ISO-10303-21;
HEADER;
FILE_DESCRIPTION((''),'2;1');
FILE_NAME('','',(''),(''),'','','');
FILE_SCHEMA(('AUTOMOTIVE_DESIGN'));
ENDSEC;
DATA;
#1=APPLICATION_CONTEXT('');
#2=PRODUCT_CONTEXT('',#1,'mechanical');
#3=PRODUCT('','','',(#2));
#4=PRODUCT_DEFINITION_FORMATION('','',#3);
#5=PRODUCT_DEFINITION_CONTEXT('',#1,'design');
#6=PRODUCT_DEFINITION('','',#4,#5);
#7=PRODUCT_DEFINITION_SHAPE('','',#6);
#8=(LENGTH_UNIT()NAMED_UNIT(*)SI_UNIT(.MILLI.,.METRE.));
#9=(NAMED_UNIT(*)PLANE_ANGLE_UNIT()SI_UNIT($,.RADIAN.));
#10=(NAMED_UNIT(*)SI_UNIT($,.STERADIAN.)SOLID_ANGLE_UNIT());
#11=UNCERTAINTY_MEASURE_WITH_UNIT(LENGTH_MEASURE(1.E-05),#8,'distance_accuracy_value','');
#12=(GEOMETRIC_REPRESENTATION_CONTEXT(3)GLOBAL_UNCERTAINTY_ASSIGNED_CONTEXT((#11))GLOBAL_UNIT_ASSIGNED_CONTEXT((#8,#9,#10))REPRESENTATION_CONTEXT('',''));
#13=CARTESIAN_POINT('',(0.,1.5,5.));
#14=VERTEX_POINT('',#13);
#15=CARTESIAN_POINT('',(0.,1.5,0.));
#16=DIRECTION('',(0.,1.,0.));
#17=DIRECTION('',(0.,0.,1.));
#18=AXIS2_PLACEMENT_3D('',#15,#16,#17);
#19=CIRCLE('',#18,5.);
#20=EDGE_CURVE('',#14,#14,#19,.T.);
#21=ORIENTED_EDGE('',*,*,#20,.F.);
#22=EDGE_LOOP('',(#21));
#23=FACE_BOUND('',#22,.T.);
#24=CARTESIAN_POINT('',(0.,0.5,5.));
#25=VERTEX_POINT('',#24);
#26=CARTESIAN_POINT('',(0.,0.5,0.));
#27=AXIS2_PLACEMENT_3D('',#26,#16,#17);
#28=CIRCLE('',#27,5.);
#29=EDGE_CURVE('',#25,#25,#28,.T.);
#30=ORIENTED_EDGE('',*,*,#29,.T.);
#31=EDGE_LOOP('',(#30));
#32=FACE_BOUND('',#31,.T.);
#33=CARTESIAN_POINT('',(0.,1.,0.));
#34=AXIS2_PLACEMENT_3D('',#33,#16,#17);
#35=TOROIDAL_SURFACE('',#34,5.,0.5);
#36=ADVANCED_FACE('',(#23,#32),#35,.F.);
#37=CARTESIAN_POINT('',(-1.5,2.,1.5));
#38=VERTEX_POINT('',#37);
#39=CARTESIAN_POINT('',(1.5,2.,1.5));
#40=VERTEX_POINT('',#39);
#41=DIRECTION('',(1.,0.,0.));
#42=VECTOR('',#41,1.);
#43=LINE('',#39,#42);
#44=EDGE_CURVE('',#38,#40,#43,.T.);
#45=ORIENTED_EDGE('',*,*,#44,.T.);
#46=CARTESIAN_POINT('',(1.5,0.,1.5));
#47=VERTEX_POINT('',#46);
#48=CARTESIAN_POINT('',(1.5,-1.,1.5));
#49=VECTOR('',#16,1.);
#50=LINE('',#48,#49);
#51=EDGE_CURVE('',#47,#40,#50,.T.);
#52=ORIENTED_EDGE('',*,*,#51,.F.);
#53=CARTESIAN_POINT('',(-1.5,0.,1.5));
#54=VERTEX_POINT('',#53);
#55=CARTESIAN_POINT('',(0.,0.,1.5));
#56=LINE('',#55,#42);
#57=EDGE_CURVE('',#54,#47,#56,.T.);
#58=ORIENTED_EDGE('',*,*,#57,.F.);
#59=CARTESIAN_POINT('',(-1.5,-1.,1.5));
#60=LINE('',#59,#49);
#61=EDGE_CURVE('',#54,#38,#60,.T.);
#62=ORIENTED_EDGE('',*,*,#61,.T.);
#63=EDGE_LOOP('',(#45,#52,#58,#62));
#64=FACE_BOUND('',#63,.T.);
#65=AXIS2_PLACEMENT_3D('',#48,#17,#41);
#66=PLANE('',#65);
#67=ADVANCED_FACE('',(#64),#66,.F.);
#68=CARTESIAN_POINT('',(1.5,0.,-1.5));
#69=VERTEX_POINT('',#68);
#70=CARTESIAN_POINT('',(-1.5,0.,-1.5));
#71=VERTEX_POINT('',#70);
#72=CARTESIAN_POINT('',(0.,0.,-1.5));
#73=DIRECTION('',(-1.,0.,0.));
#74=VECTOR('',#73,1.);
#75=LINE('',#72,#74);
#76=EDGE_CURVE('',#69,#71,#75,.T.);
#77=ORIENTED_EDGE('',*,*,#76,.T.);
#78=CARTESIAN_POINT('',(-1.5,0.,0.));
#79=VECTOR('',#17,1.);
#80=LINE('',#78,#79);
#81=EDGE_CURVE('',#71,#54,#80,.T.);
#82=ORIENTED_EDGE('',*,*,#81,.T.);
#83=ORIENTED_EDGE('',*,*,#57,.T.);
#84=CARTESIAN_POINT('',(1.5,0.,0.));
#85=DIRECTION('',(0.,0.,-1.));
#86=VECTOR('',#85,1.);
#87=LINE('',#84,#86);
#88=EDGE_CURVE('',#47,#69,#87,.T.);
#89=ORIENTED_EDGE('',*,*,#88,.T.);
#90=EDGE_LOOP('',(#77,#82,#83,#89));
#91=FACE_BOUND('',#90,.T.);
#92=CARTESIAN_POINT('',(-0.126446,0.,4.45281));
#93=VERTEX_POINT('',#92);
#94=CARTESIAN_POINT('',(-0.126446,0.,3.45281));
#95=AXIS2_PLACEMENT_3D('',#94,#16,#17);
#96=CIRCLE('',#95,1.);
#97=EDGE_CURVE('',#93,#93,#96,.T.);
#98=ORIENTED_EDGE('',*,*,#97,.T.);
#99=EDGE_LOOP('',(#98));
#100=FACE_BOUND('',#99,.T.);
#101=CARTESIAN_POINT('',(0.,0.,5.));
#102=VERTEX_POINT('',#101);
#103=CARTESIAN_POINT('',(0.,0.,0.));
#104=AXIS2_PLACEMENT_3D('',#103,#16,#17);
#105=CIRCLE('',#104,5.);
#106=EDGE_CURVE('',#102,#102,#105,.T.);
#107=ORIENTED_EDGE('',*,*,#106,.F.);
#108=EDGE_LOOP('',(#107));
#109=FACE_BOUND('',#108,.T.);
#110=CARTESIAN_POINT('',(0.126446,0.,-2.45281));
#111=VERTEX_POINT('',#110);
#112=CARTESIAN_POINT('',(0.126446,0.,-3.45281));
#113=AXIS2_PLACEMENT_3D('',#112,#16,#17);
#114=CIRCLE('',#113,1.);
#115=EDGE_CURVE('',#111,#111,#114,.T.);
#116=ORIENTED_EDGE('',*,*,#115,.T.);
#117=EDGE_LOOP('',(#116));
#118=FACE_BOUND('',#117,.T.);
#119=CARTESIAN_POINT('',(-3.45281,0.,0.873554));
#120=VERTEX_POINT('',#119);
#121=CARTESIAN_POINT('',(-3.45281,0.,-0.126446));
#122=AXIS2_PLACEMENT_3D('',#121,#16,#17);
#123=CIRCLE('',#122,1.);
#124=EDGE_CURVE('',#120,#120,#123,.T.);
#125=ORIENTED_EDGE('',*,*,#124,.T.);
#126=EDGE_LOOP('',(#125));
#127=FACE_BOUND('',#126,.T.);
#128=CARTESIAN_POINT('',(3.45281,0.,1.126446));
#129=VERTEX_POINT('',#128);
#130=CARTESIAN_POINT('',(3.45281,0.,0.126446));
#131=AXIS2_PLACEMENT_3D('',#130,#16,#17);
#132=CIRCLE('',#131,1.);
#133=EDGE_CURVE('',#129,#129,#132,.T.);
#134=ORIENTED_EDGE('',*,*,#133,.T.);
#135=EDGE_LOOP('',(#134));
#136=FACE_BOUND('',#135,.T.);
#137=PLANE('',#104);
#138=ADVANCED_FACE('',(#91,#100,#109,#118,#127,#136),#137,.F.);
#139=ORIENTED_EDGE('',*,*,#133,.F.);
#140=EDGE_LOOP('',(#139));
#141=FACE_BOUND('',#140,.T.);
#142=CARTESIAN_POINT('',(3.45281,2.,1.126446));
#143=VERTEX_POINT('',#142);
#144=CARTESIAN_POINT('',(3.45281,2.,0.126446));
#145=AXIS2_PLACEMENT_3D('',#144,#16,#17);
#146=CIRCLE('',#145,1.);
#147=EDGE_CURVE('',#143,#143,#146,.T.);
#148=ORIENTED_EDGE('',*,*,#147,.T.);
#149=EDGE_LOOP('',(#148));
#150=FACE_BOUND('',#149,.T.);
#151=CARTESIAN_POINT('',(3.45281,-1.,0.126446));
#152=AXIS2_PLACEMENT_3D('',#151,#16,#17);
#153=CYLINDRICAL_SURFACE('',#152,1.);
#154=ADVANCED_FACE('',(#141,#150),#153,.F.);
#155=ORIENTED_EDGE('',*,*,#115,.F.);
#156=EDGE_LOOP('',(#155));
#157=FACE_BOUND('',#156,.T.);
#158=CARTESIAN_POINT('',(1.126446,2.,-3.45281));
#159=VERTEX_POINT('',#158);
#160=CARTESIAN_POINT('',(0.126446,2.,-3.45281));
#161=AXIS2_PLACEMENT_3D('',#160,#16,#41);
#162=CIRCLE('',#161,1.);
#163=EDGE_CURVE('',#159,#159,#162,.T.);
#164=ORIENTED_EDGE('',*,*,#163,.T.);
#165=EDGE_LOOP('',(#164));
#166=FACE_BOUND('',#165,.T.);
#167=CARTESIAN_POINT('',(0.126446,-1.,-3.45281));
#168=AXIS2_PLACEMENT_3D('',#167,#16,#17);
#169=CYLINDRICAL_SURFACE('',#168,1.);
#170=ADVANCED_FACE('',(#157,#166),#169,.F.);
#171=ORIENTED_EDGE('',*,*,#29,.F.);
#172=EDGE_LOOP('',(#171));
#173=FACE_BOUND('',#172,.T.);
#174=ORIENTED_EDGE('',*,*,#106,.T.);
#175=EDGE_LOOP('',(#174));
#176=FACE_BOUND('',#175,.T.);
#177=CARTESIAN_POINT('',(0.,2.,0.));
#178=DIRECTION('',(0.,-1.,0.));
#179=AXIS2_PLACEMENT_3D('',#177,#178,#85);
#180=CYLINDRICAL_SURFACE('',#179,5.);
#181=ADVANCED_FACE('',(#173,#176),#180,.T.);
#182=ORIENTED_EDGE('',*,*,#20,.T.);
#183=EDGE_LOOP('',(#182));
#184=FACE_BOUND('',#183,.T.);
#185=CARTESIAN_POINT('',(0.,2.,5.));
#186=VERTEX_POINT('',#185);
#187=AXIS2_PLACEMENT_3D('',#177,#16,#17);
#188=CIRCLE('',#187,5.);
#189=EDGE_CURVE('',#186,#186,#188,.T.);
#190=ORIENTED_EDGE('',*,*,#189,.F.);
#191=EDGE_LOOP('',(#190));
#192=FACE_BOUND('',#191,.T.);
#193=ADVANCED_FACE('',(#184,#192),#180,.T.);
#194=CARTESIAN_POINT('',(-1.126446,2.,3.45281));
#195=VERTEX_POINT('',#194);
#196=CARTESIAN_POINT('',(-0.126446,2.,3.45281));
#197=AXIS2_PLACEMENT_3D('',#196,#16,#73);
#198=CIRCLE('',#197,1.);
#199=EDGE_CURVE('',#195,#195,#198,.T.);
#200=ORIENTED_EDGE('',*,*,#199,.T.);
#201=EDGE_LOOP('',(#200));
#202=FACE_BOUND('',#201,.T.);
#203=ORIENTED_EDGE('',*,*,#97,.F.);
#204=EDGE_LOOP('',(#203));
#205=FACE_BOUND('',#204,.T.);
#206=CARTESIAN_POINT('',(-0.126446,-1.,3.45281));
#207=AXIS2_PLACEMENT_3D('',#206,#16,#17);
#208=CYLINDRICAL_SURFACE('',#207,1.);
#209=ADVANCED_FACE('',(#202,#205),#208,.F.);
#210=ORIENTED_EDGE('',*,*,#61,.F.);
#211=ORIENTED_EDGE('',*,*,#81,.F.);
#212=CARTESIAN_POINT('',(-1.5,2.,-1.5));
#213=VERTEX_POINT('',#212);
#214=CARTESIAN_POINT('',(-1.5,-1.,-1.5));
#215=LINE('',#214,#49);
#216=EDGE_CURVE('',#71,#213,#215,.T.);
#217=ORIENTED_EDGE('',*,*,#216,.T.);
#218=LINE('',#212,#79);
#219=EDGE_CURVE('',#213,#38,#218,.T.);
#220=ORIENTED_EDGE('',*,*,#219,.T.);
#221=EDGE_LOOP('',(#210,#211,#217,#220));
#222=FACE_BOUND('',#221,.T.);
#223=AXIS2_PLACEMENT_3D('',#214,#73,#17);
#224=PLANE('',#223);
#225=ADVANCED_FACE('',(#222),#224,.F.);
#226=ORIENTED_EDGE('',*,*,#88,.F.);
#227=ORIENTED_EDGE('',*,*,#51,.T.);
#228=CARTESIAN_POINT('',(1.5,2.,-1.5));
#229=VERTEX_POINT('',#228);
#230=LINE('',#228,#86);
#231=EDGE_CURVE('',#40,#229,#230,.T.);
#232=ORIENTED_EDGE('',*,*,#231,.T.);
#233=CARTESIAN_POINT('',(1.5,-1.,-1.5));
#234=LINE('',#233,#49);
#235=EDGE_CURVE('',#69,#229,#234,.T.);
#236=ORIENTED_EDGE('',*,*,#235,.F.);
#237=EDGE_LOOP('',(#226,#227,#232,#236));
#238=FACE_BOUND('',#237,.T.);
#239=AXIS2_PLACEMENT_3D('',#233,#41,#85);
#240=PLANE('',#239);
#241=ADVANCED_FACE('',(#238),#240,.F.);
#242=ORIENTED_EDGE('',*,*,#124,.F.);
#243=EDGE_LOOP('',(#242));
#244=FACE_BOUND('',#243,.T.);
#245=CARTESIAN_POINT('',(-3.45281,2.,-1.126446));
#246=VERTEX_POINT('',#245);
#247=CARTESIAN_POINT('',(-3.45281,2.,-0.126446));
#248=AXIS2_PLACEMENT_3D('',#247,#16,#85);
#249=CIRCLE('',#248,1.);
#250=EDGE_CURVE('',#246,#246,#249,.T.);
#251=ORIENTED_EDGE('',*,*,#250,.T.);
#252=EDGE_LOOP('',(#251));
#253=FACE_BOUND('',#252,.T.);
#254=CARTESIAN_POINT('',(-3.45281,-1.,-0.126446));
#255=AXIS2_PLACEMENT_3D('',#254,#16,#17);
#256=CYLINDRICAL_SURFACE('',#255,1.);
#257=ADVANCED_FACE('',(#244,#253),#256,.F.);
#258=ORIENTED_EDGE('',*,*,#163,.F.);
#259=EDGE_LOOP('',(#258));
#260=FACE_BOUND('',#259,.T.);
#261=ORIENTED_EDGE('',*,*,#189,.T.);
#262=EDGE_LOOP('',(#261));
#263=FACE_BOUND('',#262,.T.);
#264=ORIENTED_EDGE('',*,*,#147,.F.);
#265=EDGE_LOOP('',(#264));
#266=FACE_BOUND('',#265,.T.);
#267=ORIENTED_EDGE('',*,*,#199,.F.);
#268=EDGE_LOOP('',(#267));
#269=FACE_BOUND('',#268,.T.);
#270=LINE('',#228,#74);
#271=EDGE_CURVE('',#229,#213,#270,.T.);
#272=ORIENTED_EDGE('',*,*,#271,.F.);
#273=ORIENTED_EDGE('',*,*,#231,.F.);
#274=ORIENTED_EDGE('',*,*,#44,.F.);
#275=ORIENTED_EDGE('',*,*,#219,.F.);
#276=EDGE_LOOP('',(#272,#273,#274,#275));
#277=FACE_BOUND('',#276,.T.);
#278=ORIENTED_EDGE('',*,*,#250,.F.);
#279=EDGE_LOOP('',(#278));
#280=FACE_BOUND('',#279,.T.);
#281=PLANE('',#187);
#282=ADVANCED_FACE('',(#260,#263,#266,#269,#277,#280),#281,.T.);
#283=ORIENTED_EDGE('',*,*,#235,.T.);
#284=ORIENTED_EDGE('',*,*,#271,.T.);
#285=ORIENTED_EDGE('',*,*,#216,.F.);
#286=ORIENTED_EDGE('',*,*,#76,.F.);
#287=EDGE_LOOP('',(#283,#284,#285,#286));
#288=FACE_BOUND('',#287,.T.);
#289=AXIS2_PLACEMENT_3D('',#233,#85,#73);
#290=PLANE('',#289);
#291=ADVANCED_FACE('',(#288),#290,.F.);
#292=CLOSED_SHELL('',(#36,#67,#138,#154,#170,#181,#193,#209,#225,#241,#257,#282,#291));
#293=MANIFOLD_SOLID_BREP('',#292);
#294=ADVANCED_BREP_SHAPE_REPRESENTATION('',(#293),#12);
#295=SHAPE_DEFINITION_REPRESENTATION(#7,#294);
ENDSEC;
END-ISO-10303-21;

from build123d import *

# Parameters (mm, degrees)
SKIZZE1_R                       = 5
AUFSATZ_LINEAR_AUSTRAGEN1_DEPTH = 2
SKIZZE3_W                       = 3
SKIZZE3_H                       = 3
SCHNITT_LINEAR_AUSTRAGEN1_DEPTH = 3
SKIZZE4_R                       = 1
SCHNITT_LINEAR_AUSTRAGEN2_DEPTH = 3
KREISMUSTER1_COUNT              = 4


with BuildPart() as part:
    # Skizze1 → Aufsatz-Linear austragen1 (new body)
    with BuildSketch(Plane(origin=(0, 0, 0), x_dir=(1, 0, 0), z_dir=(0, 1, 0))):
        Circle(SKIZZE1_R)
    extrude(amount=AUFSATZ_LINEAR_AUSTRAGEN1_DEPTH)

    # Skizze3 → Schnitt-Linear austragen1 (cut)
    with BuildSketch(Plane(origin=(0, 2, 0), x_dir=(1, 0, 0), z_dir=(0, 1, 0))):
        Rectangle(SKIZZE3_W, SKIZZE3_H)
    extrude(amount=-SCHNITT_LINEAR_AUSTRAGEN1_DEPTH, mode=Mode.SUBTRACT)

    # Skizze4 → Schnitt-Linear austragen2 (cut)
    with BuildSketch(Plane(origin=(0, 2, 0), x_dir=(1, 0, 0), z_dir=(0, 1, 0))):
        with Locations((3.452809927, -0.126446108)):
            Circle(SKIZZE4_R)
    schnitt_linear_austragen2 = extrude(amount=-SCHNITT_LINEAR_AUSTRAGEN2_DEPTH, mode=Mode.SUBTRACT)

    # Kreismuster1: Schnitt-Linear austragen2 ×4 about axis
    kreismuster1_axis = Axis((0, 0, 0), (0, 1, 0))
    for i in range(1, KREISMUSTER1_COUNT):
        add(schnitt_linear_austragen2.rotate(kreismuster1_axis, i * 360 / KREISMUSTER1_COUNT), mode=Mode.SUBTRACT)

    # Skizze6 → Schnitt-Rotation2 (revolve, cut)
    with BuildSketch(Plane.XY):
        with BuildLine():
            Line((-5, 1.5), (-5, 0.5))
            ThreePointArc((-5, 0.5), (-4.5, 1), (-5, 1.5))
        make_face()
    revolve(axis=Axis((0, 2, 0), (0, -1, 0)), mode=Mode.SUBTRACT)


solid = part.part
